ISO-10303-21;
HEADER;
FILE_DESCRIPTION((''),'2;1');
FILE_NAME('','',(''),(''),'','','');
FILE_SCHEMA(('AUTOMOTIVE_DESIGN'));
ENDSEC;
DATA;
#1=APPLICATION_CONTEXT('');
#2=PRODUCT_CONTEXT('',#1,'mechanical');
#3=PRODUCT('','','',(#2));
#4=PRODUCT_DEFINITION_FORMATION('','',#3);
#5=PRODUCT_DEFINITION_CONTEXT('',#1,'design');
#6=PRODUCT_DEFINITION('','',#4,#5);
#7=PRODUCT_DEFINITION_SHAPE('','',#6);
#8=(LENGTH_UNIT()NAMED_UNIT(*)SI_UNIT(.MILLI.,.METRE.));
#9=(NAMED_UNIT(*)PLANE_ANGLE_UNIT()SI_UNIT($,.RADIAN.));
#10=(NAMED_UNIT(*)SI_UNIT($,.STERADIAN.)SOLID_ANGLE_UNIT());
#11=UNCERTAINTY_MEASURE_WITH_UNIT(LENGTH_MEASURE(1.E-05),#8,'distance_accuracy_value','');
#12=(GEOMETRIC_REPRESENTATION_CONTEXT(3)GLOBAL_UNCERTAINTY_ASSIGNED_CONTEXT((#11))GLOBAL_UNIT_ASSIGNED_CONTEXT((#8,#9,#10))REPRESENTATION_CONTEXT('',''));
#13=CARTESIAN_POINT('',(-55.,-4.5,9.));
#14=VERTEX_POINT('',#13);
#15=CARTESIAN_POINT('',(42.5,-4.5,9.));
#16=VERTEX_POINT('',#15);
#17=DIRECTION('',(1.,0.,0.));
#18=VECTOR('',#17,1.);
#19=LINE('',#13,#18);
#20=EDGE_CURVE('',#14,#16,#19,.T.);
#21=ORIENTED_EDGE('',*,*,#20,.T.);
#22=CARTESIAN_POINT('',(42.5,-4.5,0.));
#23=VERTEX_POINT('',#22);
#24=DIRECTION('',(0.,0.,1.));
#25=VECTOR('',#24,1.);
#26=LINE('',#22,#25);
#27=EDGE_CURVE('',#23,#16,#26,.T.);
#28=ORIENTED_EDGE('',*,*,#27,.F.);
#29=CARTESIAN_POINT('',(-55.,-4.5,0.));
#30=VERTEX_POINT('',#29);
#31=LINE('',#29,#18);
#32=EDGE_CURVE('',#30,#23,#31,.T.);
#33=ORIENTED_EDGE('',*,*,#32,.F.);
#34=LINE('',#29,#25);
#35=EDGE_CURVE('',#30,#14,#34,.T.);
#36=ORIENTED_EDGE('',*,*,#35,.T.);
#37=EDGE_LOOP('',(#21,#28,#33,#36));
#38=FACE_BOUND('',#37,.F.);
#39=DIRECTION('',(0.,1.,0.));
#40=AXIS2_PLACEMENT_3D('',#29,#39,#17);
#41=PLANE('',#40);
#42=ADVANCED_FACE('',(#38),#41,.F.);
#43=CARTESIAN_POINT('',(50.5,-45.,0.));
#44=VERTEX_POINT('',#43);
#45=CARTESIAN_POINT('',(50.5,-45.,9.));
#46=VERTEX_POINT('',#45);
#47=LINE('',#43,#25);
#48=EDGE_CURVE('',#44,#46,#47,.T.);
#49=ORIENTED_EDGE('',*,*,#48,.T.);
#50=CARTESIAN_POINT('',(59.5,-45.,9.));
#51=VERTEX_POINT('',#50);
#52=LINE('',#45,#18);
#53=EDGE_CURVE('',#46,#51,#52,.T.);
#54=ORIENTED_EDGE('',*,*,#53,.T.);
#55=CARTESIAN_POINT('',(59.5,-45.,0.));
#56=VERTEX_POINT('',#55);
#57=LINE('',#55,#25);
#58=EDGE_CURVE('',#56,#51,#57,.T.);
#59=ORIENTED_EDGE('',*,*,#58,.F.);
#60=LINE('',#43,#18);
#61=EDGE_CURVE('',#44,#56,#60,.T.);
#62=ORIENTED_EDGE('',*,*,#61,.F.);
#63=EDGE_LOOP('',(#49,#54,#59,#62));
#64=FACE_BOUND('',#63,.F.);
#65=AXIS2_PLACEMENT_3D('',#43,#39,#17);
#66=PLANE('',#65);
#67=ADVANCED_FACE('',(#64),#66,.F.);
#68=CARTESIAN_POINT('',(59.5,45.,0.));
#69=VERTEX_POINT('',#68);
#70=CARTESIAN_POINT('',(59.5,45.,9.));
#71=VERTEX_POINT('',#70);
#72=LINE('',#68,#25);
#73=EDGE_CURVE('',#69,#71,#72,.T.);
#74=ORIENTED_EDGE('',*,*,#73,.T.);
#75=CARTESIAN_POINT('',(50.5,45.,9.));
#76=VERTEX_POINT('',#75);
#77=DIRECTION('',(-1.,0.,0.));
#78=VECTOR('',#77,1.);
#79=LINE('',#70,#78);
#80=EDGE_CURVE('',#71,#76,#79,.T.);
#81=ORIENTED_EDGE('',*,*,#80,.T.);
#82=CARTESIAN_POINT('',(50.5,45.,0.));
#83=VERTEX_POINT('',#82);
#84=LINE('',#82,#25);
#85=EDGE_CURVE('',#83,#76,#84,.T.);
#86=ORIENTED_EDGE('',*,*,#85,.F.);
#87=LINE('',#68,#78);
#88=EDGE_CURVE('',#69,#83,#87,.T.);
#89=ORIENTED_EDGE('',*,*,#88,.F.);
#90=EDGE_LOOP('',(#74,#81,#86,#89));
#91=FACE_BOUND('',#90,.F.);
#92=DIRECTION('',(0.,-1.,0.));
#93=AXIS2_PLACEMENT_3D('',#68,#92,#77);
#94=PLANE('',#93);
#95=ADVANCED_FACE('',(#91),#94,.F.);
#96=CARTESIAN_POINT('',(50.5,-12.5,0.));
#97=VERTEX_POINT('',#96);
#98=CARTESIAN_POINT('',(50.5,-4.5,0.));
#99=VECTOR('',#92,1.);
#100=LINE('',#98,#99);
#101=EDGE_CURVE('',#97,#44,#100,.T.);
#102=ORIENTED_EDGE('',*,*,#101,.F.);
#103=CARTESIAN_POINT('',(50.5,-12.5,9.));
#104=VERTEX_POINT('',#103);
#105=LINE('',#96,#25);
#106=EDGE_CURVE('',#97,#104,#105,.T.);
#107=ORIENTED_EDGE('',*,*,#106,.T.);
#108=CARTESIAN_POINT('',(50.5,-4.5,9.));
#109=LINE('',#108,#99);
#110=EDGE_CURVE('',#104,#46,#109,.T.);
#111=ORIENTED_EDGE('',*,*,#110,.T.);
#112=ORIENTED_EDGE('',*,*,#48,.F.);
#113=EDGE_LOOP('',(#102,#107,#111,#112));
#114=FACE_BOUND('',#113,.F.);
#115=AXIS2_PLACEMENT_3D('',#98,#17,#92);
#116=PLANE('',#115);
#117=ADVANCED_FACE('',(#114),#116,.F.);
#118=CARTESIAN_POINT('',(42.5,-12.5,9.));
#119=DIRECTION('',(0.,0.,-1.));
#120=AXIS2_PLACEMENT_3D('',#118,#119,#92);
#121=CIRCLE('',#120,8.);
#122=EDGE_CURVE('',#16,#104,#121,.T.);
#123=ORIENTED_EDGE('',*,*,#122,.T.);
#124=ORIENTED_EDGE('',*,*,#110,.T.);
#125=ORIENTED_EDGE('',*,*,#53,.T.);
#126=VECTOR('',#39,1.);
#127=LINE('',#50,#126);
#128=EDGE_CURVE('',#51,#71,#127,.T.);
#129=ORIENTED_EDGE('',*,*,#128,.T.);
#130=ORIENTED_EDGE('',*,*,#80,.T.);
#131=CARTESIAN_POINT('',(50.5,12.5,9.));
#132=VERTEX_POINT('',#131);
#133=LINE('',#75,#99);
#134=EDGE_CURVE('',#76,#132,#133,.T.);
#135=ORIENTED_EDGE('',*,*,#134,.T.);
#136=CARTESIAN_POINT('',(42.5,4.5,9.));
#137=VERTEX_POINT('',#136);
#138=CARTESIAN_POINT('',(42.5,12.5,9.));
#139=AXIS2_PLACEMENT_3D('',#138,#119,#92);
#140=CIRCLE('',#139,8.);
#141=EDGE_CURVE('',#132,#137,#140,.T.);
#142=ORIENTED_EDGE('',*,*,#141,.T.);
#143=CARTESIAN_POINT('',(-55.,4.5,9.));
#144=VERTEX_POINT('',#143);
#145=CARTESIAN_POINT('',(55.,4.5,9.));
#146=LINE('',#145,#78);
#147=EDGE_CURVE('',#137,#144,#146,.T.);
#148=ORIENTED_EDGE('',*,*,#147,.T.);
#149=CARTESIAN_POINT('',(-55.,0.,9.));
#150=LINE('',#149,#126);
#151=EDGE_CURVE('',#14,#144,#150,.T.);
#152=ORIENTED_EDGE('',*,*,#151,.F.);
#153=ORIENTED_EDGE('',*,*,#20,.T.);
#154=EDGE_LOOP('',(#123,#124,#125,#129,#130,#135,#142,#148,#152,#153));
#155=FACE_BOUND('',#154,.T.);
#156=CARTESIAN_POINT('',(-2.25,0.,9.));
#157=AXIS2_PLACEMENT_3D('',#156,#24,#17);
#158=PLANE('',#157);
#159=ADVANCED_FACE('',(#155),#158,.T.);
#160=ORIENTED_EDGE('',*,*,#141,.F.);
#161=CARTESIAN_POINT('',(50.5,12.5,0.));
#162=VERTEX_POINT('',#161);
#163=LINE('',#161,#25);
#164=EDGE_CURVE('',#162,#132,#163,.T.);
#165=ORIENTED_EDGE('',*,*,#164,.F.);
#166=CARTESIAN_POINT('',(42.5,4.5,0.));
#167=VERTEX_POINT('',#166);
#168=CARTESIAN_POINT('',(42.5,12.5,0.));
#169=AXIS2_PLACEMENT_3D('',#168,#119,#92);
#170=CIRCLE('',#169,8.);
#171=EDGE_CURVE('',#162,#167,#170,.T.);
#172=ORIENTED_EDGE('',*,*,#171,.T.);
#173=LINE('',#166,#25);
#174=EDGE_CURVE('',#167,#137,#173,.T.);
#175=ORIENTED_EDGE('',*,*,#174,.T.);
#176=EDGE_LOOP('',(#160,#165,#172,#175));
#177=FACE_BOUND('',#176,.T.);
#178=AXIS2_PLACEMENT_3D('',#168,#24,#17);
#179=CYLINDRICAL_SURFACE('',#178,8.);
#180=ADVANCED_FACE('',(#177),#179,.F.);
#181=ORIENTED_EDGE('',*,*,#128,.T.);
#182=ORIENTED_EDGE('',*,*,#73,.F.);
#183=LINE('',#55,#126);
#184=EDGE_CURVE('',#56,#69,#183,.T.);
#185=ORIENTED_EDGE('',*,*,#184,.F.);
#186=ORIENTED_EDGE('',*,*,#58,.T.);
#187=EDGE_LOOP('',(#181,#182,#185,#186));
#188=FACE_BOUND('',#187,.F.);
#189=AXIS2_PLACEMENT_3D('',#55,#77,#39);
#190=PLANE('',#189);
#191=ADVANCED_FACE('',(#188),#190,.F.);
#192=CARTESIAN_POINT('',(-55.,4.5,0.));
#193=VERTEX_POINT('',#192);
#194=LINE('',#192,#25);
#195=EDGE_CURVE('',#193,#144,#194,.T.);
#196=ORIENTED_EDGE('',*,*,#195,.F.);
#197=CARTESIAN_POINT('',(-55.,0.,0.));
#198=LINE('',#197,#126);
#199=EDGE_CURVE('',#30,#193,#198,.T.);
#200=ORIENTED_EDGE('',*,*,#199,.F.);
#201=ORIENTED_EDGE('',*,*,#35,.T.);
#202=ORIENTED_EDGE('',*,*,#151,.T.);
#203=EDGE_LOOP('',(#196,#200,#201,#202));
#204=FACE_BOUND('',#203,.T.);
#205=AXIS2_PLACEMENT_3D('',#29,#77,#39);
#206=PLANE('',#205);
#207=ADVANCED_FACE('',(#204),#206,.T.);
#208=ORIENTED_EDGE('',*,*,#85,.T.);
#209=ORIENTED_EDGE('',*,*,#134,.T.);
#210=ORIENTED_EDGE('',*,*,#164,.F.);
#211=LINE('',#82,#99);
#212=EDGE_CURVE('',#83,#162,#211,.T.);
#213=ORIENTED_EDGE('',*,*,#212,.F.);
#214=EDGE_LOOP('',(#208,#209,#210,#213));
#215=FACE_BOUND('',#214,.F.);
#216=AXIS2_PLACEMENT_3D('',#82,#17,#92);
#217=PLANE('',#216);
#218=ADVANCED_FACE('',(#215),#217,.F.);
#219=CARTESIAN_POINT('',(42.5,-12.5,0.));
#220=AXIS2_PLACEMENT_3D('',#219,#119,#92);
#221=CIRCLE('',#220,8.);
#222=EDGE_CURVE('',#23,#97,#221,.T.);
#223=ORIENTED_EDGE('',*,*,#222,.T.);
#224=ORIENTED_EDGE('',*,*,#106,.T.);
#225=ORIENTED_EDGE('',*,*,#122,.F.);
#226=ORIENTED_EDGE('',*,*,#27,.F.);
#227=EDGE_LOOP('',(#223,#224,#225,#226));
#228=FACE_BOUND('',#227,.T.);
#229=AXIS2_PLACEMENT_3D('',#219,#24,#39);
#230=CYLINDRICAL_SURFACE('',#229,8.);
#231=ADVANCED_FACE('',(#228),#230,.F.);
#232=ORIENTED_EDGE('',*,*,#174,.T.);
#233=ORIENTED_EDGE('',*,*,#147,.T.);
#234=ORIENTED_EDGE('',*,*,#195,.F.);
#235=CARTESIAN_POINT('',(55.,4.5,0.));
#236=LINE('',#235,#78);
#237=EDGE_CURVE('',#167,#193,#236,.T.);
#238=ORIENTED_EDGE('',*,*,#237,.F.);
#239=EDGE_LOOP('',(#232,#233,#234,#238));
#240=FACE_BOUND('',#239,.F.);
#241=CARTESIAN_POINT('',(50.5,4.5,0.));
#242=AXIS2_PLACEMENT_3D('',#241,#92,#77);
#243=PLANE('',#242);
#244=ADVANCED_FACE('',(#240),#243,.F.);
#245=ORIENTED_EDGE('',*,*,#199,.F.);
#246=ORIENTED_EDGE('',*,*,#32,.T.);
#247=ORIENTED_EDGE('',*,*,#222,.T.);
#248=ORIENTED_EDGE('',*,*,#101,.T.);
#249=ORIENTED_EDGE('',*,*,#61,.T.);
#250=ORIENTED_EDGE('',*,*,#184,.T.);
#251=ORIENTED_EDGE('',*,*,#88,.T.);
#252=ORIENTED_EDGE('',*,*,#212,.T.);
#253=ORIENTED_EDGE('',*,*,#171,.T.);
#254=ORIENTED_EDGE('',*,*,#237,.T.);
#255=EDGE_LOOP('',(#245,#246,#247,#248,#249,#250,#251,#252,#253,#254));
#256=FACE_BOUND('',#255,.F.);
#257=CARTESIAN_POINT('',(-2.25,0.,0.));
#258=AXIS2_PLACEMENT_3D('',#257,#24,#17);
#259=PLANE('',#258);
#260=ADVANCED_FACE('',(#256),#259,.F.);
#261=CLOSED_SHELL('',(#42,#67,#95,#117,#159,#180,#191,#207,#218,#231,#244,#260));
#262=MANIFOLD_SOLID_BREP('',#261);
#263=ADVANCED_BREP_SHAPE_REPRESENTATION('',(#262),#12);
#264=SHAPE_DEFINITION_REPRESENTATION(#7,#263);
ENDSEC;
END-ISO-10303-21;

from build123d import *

# Parameters (mm, degrees)
F0_W     = 105.5
F0_H     = 9
F0_W_2   = 4.5
F1_DEPTH = 9
F2_R     = 8


with BuildPart() as f1:
    # F0 (on Top) → F1 (new body)
    with BuildSketch(Plane.XY):
        with Locations((-2.25, 0)):
            Rectangle(F0_W, F0_H)
        with Locations((52.75, 0)):
            Rectangle(F0_W_2, F0_H)
        Polygon((55, -4.5), (50.5, -4.5), (50.5, -45), (59.5, -45), (59.5, 45), (50.5, 45), (50.5, 4.5), (55, 4.5), align=None)
    extrude(amount=F1_DEPTH)

    # F2
    f2_edges = [f1.edges().sort_by_distance(p)[0] for p in [
        (50.5, -4.5, 4.5),
        (50.5, 4.5, 4.5),
    ]]
    fillet(f2_edges, radius=F2_R)


solid = f1.part
